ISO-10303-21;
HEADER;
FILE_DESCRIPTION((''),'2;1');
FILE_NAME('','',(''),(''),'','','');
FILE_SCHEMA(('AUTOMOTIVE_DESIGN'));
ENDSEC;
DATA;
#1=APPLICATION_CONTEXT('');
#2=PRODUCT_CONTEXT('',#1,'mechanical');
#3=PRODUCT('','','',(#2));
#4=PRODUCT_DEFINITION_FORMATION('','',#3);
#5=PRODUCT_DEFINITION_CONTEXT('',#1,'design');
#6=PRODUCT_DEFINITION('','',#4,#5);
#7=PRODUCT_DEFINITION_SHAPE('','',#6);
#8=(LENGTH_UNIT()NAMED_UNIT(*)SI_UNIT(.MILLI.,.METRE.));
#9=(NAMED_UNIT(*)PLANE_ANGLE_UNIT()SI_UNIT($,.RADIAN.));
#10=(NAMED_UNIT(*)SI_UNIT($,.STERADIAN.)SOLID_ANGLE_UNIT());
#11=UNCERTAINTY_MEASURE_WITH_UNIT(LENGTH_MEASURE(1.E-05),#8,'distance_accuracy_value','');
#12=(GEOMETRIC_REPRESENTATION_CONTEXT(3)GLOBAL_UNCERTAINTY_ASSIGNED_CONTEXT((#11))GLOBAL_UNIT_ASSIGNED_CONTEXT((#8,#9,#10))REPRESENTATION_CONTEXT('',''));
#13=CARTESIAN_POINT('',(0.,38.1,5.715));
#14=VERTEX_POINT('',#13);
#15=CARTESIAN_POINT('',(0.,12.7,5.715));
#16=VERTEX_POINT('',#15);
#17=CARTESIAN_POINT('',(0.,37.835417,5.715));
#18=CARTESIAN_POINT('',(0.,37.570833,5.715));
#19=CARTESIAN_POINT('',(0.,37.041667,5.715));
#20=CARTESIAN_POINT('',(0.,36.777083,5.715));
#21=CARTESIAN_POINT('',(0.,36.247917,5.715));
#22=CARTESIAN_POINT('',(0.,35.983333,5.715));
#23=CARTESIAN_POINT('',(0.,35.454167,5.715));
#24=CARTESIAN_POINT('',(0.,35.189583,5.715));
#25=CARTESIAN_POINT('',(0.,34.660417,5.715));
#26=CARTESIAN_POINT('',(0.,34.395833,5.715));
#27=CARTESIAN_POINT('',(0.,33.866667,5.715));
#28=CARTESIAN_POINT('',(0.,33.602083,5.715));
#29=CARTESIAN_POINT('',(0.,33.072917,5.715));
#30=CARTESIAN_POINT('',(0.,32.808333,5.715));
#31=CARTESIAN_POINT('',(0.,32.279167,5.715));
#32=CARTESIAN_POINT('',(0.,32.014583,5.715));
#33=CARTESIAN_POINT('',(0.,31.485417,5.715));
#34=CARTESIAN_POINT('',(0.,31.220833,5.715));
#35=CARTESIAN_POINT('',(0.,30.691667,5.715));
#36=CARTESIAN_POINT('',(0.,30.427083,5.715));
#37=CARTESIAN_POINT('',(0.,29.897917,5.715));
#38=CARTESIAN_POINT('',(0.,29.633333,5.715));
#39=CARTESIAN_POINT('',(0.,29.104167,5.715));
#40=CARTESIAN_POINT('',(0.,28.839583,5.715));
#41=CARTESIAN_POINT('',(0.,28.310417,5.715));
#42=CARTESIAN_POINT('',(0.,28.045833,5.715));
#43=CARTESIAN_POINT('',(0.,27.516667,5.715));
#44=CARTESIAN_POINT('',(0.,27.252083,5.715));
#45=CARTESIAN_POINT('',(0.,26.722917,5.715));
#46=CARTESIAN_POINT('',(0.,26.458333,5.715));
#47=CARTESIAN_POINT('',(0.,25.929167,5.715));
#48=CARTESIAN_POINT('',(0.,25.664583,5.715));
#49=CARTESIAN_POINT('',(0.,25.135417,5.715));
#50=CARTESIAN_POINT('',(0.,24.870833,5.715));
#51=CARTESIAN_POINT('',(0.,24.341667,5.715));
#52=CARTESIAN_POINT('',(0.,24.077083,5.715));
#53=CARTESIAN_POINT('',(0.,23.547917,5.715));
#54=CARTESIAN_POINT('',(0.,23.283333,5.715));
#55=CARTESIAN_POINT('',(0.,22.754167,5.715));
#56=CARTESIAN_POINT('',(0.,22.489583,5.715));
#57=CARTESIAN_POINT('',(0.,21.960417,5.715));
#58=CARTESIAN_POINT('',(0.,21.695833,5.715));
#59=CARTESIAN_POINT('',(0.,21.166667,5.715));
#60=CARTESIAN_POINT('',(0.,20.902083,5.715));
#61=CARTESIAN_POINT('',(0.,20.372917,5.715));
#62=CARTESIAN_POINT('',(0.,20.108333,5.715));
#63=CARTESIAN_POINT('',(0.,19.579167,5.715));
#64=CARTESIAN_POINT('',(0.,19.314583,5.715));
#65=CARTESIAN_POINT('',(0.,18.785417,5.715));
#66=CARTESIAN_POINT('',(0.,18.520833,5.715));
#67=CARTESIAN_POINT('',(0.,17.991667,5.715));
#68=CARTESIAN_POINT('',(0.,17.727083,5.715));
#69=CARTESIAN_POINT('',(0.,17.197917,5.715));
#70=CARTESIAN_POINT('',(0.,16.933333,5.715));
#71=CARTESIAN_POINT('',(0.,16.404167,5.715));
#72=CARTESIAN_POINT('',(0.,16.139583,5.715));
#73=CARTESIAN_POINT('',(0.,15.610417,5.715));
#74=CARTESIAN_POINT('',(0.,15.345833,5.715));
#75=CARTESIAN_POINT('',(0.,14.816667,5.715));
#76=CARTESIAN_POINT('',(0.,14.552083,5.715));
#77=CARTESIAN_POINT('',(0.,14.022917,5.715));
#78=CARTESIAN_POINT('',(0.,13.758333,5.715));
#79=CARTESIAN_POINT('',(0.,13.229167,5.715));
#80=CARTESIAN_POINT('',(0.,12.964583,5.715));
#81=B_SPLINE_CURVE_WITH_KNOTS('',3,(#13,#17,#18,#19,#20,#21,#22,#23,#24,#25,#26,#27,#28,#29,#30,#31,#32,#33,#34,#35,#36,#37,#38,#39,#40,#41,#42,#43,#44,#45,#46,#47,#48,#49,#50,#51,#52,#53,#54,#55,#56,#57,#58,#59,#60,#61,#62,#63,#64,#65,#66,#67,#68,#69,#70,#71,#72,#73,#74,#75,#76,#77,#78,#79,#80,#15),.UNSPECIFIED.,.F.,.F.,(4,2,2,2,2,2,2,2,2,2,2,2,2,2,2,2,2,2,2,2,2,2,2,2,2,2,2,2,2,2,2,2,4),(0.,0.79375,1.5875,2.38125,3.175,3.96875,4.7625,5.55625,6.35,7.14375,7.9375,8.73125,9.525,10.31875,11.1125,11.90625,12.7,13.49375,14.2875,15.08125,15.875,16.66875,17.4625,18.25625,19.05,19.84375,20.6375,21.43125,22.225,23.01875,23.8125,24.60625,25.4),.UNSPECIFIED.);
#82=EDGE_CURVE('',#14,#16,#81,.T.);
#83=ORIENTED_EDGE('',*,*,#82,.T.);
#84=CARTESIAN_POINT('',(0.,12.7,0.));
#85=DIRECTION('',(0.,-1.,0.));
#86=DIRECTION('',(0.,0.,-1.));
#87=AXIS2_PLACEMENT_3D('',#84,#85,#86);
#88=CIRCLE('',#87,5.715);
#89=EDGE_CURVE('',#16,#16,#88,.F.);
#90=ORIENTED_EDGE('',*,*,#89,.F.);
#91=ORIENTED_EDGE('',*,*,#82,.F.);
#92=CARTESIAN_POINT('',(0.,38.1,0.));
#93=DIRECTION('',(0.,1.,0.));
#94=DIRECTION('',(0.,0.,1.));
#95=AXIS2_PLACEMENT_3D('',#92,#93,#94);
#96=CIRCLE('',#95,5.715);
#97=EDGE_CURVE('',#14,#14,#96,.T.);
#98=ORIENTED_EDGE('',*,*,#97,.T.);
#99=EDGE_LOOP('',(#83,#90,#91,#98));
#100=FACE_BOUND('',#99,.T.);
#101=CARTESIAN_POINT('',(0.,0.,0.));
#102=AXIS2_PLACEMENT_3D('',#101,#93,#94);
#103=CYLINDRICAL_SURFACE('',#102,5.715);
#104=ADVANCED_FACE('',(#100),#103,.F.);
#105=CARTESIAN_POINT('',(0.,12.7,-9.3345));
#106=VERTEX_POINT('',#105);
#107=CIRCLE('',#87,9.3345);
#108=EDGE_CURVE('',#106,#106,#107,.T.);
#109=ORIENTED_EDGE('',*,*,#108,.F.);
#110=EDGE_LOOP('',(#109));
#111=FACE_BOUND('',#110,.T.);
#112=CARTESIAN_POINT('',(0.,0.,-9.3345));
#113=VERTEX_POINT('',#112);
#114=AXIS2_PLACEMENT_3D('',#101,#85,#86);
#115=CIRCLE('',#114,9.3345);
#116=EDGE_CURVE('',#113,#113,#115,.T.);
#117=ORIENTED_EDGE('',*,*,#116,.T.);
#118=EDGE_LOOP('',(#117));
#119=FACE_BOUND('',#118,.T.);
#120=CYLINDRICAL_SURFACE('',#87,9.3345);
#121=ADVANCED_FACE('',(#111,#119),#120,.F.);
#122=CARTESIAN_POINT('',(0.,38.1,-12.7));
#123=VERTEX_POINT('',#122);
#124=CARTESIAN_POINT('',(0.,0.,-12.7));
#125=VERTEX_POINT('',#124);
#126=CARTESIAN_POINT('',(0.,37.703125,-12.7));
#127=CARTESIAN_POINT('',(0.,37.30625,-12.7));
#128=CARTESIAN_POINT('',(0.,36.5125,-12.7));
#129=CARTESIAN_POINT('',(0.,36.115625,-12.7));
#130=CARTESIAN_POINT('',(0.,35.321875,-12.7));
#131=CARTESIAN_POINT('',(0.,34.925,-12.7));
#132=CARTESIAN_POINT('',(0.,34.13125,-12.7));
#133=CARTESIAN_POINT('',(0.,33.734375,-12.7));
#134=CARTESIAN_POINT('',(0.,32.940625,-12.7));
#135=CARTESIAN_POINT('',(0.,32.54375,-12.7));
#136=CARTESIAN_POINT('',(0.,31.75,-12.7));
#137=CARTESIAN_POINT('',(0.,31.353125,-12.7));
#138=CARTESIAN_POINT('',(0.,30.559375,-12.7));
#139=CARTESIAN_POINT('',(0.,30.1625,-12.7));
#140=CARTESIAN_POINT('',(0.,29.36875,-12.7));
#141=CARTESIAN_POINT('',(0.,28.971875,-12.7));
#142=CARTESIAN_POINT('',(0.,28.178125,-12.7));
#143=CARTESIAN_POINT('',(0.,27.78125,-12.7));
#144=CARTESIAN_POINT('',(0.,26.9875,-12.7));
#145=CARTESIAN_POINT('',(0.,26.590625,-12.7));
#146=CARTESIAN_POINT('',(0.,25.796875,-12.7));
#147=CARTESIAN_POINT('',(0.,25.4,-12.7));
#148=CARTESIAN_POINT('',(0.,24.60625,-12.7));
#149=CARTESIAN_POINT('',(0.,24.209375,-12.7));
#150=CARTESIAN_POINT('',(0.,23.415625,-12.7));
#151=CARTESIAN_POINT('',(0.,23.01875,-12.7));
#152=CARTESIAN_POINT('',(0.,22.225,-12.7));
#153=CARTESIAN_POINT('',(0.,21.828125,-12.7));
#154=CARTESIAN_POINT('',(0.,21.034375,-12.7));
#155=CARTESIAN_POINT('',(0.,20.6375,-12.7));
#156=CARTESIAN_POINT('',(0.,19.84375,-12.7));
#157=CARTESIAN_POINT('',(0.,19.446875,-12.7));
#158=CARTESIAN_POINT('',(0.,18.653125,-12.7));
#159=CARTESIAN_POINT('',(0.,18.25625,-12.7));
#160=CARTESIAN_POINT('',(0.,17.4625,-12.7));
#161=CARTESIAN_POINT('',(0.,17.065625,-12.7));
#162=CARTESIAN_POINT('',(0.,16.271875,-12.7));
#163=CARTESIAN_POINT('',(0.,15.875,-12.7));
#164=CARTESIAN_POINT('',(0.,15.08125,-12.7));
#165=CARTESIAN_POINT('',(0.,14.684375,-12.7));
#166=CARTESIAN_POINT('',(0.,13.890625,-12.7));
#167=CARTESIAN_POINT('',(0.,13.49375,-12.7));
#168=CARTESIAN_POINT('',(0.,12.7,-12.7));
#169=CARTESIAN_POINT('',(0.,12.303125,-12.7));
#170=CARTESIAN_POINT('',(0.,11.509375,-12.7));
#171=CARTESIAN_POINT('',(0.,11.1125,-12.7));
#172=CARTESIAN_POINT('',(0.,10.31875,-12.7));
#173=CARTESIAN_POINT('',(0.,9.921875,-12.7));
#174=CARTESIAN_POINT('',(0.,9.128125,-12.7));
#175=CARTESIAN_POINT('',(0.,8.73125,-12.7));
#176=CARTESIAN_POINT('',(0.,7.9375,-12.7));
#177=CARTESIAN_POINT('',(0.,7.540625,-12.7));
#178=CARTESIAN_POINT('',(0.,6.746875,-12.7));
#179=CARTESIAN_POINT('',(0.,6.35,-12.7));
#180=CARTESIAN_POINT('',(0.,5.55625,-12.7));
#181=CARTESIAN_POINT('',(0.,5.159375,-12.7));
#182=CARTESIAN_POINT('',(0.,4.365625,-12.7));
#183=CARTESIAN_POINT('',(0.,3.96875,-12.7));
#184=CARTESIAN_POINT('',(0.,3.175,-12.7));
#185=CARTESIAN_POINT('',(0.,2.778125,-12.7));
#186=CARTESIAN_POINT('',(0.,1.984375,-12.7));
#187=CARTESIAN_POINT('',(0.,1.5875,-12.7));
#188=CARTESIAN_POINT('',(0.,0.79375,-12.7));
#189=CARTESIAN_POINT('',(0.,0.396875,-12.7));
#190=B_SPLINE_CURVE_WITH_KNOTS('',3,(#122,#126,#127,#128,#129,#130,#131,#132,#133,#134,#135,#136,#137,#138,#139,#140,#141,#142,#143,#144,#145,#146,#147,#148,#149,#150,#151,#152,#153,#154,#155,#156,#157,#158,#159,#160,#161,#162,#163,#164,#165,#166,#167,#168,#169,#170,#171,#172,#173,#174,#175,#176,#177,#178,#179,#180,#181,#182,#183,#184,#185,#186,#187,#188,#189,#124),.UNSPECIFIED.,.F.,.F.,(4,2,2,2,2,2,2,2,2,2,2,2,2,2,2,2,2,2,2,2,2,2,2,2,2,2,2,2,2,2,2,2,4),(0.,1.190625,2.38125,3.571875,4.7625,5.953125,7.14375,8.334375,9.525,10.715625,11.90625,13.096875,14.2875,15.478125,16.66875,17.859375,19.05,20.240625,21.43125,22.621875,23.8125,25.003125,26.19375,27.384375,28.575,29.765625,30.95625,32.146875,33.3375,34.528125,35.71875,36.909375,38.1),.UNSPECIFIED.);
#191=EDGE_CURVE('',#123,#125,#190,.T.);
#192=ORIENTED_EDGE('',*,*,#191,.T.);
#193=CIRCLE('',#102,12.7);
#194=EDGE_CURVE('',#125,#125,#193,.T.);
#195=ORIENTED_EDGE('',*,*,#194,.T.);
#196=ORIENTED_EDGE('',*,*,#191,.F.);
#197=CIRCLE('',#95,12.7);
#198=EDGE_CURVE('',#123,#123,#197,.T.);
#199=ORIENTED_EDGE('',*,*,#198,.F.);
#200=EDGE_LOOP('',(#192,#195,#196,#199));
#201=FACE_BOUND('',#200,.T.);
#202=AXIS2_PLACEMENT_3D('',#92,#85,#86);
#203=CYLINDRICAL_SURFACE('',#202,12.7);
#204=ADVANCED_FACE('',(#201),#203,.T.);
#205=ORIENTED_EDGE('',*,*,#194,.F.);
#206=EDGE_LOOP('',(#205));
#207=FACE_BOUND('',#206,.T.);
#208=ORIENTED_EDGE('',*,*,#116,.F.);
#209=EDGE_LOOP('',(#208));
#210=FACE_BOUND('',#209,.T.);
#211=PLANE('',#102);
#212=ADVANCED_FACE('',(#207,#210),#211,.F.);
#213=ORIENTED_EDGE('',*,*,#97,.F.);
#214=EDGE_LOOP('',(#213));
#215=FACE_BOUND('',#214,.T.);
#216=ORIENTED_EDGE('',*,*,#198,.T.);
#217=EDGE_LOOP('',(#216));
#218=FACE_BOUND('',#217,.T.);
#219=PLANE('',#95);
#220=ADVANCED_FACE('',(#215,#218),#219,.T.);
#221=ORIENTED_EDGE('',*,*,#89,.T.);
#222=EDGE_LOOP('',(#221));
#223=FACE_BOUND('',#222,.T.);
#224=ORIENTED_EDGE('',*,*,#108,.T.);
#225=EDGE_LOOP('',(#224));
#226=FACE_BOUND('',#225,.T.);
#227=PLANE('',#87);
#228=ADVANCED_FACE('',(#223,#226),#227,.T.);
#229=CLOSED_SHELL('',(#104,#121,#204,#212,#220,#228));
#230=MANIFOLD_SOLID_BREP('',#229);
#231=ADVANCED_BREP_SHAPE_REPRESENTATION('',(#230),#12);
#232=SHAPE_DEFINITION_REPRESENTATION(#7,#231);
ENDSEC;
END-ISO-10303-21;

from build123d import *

# Parameters (mm, degrees)
SKETCH1_R           = 12.7
BOSS_EXTRUDE1_DEPTH = 38.1
SKETCH2_R           = 5.715
CUT_EXTRUDE1_DEPTH  = 43.121134838
SKETCH3_R           = 9.3345
CUT_EXTRUDE2_DEPTH  = 12.7


with BuildPart() as part:
    # Sketch1 → Boss-Extrude1 (new body)
    with BuildSketch(Plane(origin=(0, 0, 0), x_dir=(1, 0, 0), z_dir=(0, 1, 0))):
        with Locations(Location((0, 0, 0), (0, 0, 90))):
            Circle(SKETCH1_R)
    extrude(amount=BOSS_EXTRUDE1_DEPTH)

    # Sketch2 → Cut-Extrude1 (cut, through all)
    with BuildSketch(Plane(origin=(0, 38.1, 0), x_dir=(1, 0, 0), z_dir=(0, 1, 0))):
        with Locations(Location((0, 0, 0), (0, 0, 270))):
            Circle(SKETCH2_R)
    extrude(amount=-CUT_EXTRUDE1_DEPTH, mode=Mode.SUBTRACT)

    # Sketch3 → Cut-Extrude2 (cut)
    with BuildSketch(Plane.XZ):
        with Locations(Location((0, 0, 0), (0, 0, 270))):
            Circle(SKETCH3_R)
    extrude(amount=-CUT_EXTRUDE2_DEPTH, mode=Mode.SUBTRACT)


solid = part.part
